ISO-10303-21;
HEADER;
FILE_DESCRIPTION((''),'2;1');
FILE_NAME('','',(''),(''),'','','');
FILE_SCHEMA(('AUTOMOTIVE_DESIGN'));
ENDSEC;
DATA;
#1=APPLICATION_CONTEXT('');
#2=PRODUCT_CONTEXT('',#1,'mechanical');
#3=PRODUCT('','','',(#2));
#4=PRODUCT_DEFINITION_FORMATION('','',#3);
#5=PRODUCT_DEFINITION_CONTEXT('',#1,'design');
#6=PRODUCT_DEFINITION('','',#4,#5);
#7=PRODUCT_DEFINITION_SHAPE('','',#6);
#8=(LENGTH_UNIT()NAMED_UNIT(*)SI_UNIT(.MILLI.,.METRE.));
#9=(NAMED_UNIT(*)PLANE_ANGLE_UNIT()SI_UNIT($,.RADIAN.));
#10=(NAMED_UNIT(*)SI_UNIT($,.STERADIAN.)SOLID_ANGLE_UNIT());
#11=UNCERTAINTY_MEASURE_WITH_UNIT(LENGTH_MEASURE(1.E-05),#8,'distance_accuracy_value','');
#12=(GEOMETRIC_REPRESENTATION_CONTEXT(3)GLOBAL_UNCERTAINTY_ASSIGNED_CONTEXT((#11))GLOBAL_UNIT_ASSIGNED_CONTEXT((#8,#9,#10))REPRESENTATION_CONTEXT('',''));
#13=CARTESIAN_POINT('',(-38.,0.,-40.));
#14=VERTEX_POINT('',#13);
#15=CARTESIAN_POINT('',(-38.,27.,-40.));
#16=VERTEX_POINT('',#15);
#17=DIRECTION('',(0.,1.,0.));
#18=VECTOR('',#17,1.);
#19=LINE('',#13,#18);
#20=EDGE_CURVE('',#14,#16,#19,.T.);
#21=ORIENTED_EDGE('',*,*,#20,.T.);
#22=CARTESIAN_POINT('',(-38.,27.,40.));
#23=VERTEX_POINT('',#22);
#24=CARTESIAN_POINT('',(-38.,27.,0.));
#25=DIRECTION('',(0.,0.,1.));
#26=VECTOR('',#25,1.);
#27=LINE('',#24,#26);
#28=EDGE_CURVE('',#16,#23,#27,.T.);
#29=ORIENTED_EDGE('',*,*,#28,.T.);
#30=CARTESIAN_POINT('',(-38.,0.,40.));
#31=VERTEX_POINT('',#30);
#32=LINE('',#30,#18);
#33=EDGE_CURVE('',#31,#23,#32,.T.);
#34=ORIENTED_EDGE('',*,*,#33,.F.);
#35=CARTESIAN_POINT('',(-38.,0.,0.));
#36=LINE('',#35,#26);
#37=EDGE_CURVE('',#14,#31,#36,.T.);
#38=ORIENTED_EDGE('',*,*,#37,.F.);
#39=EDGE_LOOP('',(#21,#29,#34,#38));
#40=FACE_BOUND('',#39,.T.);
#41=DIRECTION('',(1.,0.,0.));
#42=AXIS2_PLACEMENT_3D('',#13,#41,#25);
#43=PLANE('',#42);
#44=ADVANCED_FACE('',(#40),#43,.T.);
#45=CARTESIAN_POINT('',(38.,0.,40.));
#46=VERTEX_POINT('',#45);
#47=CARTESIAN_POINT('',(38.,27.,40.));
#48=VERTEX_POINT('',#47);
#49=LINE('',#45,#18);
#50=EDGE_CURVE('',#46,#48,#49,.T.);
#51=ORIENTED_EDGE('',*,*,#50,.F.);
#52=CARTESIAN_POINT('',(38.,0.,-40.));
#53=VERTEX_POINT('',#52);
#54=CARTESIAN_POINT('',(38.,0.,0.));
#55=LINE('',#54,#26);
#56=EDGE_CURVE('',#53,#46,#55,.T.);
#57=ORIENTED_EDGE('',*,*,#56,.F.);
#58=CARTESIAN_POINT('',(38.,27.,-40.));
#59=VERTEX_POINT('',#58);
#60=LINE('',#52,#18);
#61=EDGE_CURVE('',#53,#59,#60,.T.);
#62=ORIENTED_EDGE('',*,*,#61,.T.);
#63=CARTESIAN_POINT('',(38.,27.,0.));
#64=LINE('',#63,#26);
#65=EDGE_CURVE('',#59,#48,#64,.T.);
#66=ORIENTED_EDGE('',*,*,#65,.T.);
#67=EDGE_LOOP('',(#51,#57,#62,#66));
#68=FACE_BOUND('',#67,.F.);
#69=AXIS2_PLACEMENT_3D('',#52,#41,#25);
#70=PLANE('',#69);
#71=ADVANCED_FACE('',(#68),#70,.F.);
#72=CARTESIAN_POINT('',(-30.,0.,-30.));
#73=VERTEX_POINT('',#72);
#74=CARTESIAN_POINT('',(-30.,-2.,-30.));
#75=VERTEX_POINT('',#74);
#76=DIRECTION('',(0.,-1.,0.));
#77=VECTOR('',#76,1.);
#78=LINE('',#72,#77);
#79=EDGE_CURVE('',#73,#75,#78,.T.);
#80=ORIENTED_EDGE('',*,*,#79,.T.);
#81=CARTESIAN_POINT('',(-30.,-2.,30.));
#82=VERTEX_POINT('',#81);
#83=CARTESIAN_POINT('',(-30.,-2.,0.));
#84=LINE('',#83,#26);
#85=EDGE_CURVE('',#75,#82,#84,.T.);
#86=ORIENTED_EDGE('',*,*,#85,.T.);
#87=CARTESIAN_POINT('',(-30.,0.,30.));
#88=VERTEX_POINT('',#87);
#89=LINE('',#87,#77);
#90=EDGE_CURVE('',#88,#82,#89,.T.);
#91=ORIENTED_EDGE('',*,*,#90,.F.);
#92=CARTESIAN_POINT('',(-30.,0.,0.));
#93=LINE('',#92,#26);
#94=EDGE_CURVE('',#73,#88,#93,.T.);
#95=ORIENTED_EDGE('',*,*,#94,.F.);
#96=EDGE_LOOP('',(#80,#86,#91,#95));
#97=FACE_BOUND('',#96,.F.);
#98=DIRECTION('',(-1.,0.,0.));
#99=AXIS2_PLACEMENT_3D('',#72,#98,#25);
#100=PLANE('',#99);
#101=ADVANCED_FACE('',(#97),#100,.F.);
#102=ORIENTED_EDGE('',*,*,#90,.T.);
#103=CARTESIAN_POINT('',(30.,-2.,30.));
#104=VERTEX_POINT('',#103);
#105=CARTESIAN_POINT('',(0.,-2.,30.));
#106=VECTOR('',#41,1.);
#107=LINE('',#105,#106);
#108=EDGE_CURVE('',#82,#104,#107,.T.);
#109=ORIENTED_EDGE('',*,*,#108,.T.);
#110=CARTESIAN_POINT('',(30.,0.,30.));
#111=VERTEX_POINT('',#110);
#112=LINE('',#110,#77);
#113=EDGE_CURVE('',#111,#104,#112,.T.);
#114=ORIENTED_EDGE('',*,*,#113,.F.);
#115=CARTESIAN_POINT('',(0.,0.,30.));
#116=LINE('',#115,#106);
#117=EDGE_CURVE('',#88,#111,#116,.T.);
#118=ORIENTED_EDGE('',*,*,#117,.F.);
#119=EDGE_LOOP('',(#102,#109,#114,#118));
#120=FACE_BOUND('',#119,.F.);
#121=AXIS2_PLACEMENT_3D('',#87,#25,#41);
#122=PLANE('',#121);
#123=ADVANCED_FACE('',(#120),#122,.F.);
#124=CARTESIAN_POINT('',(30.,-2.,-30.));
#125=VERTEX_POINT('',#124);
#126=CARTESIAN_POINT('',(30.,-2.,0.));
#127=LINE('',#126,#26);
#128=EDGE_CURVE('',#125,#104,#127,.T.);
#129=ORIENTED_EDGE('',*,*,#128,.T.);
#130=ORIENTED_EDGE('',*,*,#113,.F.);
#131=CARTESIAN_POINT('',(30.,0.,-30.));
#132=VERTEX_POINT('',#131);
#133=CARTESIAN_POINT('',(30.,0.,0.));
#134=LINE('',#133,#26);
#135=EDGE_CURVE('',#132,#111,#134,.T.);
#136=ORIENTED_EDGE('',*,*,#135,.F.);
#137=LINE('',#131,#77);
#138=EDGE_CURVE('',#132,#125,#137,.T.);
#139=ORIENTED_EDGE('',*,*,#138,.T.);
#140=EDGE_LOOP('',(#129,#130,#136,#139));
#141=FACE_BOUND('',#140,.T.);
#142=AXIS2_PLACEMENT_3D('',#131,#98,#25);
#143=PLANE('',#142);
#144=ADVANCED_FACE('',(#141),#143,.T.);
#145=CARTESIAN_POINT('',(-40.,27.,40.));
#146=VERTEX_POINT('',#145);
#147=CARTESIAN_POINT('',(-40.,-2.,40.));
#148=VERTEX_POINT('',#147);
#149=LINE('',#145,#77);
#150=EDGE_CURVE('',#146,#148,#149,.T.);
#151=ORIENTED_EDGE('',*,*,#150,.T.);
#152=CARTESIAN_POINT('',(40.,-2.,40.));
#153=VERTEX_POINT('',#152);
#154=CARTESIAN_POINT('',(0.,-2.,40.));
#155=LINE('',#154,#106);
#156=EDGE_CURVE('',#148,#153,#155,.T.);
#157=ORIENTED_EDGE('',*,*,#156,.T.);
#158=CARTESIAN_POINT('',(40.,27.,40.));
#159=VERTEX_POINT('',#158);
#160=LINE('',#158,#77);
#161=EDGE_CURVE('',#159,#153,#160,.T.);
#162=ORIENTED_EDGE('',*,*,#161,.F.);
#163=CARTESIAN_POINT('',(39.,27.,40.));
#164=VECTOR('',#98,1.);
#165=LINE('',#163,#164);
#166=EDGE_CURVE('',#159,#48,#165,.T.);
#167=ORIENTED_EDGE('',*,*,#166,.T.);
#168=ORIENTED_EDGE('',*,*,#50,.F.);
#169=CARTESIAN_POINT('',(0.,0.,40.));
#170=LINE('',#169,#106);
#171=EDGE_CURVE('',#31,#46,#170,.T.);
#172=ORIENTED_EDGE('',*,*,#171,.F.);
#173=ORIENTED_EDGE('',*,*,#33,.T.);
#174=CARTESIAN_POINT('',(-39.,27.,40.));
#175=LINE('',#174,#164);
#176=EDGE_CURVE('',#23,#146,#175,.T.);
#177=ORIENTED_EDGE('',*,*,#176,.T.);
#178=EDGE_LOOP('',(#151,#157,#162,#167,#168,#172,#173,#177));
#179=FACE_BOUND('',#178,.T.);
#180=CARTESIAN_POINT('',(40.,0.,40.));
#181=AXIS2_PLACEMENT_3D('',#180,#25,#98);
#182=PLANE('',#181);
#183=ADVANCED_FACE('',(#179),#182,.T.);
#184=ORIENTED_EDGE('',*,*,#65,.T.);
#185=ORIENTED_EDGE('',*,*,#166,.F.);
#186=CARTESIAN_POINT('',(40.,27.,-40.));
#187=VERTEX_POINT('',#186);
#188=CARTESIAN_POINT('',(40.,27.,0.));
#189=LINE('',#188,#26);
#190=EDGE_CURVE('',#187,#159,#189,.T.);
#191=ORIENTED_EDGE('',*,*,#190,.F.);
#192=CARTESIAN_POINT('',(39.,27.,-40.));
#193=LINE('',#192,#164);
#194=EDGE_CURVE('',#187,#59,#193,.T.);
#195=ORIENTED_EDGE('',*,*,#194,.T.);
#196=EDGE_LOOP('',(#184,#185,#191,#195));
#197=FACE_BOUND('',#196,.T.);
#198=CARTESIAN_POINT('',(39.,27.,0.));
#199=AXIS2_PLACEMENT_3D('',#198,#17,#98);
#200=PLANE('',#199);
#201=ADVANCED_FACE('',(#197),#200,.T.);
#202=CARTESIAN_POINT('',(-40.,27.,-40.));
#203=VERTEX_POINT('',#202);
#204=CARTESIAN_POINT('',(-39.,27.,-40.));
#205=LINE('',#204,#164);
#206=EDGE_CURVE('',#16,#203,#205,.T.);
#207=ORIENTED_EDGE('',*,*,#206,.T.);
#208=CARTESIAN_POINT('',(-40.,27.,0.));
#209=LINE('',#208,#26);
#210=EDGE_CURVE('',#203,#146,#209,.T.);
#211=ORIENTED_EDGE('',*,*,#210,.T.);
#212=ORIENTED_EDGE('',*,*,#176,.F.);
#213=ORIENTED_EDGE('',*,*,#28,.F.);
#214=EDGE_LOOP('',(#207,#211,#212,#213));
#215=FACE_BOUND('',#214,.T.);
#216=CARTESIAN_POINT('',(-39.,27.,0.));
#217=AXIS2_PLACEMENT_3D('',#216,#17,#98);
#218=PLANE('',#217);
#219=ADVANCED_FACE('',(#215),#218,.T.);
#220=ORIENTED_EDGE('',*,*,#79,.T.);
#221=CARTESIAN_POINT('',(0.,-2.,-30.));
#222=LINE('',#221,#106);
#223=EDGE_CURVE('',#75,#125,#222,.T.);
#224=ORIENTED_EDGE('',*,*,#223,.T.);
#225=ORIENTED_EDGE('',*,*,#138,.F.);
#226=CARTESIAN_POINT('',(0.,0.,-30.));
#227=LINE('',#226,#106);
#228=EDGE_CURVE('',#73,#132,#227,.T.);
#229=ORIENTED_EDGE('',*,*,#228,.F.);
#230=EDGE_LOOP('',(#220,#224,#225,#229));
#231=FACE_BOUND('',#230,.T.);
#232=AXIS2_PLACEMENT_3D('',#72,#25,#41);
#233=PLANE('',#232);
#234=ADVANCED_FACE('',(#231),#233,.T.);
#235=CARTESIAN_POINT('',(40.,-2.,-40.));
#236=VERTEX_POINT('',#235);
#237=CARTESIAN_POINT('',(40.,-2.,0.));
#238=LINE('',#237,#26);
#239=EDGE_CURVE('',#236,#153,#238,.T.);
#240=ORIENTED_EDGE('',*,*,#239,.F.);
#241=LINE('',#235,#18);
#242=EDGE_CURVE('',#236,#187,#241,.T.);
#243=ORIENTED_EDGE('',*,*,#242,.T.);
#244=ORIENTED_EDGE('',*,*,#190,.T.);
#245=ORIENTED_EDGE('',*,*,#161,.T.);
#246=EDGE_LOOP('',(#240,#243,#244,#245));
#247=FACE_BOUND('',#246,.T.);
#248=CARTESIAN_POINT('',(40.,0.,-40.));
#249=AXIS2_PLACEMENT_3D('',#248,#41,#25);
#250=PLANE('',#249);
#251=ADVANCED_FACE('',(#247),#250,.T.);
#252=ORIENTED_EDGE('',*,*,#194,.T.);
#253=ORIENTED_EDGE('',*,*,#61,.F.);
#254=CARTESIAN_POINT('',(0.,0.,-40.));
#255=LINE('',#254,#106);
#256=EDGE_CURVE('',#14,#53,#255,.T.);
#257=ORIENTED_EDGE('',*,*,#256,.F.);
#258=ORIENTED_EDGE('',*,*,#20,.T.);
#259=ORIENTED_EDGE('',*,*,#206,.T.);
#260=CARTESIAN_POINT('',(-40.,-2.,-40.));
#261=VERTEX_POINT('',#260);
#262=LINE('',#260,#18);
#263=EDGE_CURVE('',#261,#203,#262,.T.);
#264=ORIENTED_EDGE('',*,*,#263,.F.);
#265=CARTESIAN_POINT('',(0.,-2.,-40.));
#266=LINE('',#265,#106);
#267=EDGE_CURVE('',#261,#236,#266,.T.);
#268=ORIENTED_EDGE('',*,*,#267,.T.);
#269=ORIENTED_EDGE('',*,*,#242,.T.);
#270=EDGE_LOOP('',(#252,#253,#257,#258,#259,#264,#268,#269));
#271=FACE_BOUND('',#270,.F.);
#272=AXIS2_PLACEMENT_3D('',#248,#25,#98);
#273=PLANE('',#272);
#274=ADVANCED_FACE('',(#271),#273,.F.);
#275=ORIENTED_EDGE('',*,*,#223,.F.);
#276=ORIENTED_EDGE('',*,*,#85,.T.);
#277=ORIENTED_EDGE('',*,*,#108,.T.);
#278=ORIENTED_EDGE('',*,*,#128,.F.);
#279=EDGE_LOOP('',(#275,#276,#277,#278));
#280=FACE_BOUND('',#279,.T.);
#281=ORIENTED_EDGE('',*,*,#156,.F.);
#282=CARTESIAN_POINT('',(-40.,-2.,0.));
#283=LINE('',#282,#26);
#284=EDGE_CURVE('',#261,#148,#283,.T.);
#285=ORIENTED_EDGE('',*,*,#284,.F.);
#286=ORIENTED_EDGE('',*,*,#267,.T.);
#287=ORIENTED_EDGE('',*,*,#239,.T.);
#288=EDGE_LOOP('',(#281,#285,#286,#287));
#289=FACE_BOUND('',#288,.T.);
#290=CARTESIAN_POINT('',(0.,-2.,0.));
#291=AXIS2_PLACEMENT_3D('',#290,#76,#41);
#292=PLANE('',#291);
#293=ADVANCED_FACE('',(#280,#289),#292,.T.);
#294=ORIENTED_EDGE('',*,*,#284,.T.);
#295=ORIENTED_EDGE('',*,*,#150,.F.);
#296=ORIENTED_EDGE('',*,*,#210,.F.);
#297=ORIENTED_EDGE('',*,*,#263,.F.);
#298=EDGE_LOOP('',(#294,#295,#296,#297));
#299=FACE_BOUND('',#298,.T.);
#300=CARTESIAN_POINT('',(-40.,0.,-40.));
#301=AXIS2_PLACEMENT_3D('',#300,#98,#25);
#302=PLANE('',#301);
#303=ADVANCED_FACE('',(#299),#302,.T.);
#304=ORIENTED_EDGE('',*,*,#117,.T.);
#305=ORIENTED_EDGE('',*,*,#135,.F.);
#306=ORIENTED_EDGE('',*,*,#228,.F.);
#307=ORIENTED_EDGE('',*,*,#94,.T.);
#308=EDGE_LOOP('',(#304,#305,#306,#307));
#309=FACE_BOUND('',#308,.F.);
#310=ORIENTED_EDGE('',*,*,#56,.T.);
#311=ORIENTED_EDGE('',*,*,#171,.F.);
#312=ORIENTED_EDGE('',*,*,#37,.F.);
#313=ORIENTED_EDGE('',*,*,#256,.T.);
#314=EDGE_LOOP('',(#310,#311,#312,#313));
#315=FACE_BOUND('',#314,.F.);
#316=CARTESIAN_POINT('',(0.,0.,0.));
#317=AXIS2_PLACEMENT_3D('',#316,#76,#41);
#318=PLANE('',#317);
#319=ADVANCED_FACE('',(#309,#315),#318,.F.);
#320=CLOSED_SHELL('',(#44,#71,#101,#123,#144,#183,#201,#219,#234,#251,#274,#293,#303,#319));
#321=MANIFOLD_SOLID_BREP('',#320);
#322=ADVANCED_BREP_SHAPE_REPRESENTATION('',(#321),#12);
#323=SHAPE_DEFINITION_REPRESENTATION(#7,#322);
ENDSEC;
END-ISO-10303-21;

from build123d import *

# Parameters (mm, degrees)
F0_W     = 80
F0_H     = 80
F0_W_2   = 60
F0_H_2   = 60
F1_DEPTH = 2
F2_W     = 2
F2_H     = 80
F3_DEPTH = 27


with BuildPart() as f1:
    # F0 (on Front) → F1 (new body)
    with BuildSketch(Plane.XZ):
        Rectangle(F0_W, F0_H)
        Rectangle(F0_W_2, F0_H_2, mode=Mode.SUBTRACT)
    extrude(amount=F1_DEPTH)

    # F2 (on face) → F3 (join)
    with BuildSketch(Plane(origin=(0, 0, 0), x_dir=(-1, 0, 0), z_dir=(0, 1, 0))):
        with Locations((-39, 0)):
            Rectangle(F2_W, F2_H)
        with Locations((39, 0)):
            Rectangle(F2_W, F2_H)
    extrude(amount=F3_DEPTH)


solid = f1.part
